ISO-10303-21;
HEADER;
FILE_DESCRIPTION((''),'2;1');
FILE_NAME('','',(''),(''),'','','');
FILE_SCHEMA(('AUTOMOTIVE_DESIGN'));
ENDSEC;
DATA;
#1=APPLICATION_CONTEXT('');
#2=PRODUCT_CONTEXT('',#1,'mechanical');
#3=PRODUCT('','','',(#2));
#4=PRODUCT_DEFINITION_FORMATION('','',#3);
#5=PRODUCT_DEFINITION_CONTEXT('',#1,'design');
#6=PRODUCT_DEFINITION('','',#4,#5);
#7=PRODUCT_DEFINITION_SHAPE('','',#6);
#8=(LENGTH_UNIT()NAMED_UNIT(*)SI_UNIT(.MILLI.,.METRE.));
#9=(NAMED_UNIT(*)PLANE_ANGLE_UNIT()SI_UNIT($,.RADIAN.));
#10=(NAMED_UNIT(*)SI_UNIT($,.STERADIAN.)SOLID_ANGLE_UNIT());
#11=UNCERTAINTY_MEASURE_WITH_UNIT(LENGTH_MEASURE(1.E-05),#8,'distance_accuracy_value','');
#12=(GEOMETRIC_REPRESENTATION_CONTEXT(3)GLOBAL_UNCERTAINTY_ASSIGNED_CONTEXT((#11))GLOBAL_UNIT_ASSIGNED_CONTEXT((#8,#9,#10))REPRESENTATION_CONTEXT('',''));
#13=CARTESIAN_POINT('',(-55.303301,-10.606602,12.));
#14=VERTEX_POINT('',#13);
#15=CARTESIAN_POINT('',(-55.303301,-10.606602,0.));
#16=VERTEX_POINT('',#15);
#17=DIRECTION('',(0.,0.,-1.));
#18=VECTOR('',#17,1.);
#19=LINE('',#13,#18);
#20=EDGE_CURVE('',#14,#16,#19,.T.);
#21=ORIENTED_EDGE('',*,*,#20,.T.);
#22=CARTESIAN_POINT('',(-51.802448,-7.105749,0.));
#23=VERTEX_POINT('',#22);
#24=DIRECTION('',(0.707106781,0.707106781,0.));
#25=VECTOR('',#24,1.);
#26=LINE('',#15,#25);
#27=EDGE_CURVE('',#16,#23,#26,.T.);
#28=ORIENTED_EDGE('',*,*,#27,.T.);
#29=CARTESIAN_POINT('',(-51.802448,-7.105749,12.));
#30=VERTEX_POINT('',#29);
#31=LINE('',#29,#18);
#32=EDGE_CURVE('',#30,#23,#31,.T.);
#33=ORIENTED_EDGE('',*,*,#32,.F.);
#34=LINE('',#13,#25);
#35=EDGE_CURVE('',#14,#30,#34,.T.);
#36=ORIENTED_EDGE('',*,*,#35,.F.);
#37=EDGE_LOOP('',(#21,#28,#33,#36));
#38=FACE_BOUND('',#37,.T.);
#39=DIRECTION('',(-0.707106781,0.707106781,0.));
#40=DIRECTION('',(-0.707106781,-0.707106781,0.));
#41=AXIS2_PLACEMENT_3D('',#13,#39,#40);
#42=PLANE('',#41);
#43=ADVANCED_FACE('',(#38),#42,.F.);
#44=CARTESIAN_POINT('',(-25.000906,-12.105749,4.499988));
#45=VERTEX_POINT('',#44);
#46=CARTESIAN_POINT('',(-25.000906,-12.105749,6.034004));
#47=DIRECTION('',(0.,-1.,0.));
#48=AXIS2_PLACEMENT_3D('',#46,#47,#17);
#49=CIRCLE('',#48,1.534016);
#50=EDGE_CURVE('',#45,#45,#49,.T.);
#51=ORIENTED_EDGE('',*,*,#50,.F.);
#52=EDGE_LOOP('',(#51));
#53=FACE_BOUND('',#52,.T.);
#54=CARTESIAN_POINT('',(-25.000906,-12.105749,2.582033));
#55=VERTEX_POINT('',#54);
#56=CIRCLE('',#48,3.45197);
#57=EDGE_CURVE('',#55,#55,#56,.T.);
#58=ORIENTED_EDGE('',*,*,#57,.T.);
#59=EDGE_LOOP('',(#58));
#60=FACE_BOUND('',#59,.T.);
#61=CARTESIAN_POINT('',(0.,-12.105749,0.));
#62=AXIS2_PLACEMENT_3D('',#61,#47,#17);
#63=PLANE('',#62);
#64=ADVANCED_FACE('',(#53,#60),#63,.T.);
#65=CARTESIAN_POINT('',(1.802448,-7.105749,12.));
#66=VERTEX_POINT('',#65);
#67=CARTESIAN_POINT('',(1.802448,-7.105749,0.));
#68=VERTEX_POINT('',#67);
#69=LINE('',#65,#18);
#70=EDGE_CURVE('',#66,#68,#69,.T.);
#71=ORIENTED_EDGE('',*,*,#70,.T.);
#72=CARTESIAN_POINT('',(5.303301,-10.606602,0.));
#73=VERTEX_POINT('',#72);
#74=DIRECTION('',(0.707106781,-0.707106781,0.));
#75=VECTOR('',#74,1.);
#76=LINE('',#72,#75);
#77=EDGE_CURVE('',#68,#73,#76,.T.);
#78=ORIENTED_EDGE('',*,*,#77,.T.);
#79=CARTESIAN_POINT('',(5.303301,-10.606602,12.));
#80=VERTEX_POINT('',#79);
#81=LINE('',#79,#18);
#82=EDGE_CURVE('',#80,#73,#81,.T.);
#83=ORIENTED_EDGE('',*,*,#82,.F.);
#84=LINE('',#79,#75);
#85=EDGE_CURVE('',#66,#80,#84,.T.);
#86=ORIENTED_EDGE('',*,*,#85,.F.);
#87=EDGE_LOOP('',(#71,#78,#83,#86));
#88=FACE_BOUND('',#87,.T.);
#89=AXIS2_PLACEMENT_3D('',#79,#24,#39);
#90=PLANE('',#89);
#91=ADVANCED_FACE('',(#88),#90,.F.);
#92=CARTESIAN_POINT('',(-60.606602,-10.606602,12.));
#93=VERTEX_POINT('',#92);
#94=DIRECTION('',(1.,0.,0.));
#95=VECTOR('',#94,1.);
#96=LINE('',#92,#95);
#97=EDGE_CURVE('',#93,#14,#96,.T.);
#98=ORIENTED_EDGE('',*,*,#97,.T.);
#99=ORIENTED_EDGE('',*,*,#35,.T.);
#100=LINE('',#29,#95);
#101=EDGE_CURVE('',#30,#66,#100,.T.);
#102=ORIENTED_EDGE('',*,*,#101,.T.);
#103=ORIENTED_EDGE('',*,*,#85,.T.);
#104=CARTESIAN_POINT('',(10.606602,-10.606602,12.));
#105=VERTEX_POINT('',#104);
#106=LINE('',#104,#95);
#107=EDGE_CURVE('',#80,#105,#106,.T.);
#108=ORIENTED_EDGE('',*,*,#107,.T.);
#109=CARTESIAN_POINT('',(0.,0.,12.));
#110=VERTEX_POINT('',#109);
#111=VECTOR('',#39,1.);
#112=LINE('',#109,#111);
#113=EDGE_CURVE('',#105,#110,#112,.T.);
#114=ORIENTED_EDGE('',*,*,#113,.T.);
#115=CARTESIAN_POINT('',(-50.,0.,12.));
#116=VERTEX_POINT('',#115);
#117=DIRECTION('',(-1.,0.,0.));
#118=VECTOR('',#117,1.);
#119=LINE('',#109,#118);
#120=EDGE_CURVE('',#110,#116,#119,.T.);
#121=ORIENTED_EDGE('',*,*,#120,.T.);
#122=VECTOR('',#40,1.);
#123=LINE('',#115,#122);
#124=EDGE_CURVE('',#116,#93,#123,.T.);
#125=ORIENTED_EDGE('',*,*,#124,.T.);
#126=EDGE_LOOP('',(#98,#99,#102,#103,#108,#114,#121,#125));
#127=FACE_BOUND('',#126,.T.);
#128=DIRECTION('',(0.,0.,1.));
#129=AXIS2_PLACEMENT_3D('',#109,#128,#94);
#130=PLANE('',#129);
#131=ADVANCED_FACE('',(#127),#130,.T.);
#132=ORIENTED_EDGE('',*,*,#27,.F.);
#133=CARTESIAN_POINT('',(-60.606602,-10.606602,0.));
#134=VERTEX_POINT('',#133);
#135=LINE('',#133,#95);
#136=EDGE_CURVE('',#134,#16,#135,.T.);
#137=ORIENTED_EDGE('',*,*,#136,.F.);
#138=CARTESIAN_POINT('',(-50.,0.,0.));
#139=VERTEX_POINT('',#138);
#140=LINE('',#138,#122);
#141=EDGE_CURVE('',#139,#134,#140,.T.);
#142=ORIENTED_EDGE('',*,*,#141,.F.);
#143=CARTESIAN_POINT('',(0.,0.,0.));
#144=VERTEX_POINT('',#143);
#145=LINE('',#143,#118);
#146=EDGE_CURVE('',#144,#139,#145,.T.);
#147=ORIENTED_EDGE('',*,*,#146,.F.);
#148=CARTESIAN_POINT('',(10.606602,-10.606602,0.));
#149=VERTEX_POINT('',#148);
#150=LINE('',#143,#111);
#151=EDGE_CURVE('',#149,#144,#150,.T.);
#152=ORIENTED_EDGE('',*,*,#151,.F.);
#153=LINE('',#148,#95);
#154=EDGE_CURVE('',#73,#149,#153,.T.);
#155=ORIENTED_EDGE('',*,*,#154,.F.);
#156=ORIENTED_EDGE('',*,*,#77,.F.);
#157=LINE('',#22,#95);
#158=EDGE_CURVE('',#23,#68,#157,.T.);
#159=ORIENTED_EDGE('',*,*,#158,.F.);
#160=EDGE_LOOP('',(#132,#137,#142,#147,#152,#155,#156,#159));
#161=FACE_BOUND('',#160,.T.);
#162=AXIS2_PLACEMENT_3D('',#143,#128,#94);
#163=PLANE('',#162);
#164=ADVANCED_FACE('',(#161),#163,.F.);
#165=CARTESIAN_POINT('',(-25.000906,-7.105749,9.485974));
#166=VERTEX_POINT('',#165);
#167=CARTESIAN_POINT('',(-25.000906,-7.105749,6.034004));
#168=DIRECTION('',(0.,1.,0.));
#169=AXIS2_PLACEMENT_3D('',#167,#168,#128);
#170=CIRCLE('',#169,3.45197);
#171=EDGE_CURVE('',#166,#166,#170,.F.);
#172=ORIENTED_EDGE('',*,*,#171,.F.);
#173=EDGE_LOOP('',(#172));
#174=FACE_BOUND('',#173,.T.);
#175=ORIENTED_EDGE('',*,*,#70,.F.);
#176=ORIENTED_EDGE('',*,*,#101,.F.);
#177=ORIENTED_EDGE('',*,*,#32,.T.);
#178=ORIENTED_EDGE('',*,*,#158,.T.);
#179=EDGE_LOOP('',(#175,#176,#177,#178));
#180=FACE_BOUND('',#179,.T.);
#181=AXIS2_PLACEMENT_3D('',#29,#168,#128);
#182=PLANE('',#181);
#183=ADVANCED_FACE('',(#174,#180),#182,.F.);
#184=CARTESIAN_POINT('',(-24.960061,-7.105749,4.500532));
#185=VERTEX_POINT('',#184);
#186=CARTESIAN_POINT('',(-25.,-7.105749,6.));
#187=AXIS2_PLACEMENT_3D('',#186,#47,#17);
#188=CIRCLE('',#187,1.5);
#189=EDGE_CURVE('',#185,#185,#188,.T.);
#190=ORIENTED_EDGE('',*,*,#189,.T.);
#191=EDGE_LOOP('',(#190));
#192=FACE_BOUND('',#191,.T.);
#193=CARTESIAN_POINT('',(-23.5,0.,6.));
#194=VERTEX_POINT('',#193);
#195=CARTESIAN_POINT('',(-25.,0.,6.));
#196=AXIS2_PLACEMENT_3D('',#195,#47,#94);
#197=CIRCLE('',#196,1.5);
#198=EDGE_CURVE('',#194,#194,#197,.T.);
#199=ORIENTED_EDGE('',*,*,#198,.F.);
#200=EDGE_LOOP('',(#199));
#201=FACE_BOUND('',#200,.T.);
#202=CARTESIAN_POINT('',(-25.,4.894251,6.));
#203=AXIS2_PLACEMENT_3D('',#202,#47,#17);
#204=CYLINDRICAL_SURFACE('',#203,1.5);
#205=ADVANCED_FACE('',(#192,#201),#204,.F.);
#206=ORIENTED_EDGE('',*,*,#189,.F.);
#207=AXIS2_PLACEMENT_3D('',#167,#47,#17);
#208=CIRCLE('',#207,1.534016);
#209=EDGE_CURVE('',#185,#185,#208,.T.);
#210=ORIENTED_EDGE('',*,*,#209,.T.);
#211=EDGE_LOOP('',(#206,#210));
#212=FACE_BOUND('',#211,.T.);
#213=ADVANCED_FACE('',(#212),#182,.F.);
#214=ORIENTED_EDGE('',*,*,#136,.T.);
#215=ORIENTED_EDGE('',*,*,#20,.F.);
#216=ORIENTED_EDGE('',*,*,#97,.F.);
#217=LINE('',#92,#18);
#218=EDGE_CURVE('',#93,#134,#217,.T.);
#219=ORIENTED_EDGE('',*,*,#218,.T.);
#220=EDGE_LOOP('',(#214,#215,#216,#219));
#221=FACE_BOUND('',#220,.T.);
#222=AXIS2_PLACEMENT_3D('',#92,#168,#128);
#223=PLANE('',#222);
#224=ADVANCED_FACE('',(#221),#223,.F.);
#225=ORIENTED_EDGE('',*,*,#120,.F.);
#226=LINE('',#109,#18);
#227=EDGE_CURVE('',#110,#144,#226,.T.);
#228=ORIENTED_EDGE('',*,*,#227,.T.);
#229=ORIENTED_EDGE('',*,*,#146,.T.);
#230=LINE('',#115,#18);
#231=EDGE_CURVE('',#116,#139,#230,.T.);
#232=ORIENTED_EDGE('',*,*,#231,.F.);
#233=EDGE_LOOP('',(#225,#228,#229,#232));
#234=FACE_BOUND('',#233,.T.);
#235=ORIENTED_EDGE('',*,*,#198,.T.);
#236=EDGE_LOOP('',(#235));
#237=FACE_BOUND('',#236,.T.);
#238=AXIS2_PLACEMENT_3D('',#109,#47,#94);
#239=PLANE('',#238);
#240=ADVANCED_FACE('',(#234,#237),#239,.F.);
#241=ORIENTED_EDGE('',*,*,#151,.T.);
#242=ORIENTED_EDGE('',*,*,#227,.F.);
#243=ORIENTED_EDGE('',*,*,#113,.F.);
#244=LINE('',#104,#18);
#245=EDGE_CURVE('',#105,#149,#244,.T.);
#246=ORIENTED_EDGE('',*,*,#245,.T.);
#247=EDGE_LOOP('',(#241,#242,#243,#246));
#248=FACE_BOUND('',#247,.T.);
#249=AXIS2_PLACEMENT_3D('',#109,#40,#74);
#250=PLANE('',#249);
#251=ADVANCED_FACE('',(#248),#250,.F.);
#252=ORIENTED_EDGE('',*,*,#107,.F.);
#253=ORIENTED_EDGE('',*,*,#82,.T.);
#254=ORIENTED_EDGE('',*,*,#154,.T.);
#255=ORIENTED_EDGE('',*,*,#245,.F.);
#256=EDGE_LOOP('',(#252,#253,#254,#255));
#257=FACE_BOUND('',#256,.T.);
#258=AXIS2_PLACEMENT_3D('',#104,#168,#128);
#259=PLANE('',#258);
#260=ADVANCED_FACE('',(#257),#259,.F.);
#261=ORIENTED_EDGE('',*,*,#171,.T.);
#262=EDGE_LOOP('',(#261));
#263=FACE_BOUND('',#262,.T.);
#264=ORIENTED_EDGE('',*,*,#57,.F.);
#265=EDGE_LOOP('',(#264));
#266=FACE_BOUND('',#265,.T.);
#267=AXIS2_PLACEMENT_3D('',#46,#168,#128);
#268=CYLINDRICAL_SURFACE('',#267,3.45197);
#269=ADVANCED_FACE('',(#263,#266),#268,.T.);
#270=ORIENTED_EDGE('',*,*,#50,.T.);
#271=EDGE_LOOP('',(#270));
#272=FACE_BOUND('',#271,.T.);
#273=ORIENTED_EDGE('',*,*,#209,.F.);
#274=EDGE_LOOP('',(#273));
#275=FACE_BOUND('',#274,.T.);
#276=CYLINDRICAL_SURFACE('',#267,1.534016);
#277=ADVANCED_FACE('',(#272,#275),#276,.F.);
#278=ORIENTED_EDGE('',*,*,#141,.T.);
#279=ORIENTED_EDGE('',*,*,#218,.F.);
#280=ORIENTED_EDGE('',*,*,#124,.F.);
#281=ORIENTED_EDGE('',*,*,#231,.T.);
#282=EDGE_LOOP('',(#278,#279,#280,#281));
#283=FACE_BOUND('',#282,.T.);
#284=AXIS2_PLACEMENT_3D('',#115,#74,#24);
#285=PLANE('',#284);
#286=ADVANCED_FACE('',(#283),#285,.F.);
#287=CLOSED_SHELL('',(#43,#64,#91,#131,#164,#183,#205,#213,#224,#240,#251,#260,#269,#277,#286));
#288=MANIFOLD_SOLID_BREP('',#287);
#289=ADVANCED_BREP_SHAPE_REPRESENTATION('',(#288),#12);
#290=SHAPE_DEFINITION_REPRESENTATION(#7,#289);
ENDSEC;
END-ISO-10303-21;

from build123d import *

# Parameters (mm, degrees)
Y_KSEKLIK_EKSTR_ZYON1_DEPTH = 12
KES_EKSTR_ZYON1_DEPTH       = 12
IZIM3_R                     = 3.451970481
Y_KSEKLIK_EKSTR_ZYON2_DEPTH = 5


with BuildPart() as part:
    # Çizim1 → Yükseklik-Ekstrüzyon1 (new body)
    with BuildSketch(Plane.XY):
        Polygon((0, 0), (-50, 0), (-60.606601718, -10.606601718), (-55.303300859, -10.606601718), (-51.802447925, -7.105748784), (1.802447925, -7.105748784), (5.303300859, -10.606601718), (10.606601718, -10.606601718), align=None)
    extrude(amount=Y_KSEKLIK_EKSTR_ZYON1_DEPTH)

    # Çizim2 → Kes-Ekstrüzyon1 (cut)
    with BuildSketch(Plane.XZ.offset(7.105748784)):
        with BuildLine():
            ThreePointArc((-23.536228909, 6.327680015), (-25, 7.5), (-26.463771091, 6.327680015))
            Line((-26.463771091, 6.327680015), (-25, 6))
            Line((-25, 6), (-23.536228909, 6.327680015))
        make_face()
        with BuildLine():
            Line((-25, 6), (-26.463771091, 6.327680015))
            ThreePointArc((-26.463771091, 6.327680015), (-26.5, 6), (-26.463771091, 5.672319985))
            Line((-26.463771091, 5.672319985), (-25, 6))
        make_face()
        with BuildLine():
            ThreePointArc((-23.5, 6), (-23.509084738, 6.16483835), (-23.536228909, 6.327680015))
            Line((-23.536228909, 6.327680015), (-25, 6))
            Line((-25, 6), (-23.536228909, 5.672319985))
            ThreePointArc((-23.536228909, 5.672319985), (-23.509084738, 5.83516165), (-23.5, 6))
        make_face()
        with BuildLine():
            Line((-25, 6), (-26.463771091, 5.672319985))
            ThreePointArc((-26.463771091, 5.672319985), (-25, 4.5), (-23.536228909, 5.672319985))
            Line((-23.536228909, 5.672319985), (-25, 6))
        make_face()
    extrude(amount=-KES_EKSTR_ZYON1_DEPTH, mode=Mode.SUBTRACT)

    # Çizim3 → Yükseklik-Ekstrüzyon2 (add)
    with BuildSketch(Plane.XZ.offset(7.105748784)):
        with Locations(Location((-25.000905718, 6.034003848, 0), (0, 0, 90))):
            Circle(IZIM3_R)
        with BuildLine():
            ThreePointArc((-23.572219211, 5.475380836), (-23.599693794, 5.409656229), (-23.630190025, 5.345277999))
            ThreePointArc((-23.630190025, 5.345277999), (-26.493538373, 6.387914237), (-23.46688981, 6.034003848))
            ThreePointArc((-23.46688981, 6.034003848), (-23.493452131, 5.74977069), (-23.572219211, 5.475380836))
        make_face(mode=Mode.SUBTRACT)
    extrude(amount=Y_KSEKLIK_EKSTR_ZYON2_DEPTH)


solid = part.part
